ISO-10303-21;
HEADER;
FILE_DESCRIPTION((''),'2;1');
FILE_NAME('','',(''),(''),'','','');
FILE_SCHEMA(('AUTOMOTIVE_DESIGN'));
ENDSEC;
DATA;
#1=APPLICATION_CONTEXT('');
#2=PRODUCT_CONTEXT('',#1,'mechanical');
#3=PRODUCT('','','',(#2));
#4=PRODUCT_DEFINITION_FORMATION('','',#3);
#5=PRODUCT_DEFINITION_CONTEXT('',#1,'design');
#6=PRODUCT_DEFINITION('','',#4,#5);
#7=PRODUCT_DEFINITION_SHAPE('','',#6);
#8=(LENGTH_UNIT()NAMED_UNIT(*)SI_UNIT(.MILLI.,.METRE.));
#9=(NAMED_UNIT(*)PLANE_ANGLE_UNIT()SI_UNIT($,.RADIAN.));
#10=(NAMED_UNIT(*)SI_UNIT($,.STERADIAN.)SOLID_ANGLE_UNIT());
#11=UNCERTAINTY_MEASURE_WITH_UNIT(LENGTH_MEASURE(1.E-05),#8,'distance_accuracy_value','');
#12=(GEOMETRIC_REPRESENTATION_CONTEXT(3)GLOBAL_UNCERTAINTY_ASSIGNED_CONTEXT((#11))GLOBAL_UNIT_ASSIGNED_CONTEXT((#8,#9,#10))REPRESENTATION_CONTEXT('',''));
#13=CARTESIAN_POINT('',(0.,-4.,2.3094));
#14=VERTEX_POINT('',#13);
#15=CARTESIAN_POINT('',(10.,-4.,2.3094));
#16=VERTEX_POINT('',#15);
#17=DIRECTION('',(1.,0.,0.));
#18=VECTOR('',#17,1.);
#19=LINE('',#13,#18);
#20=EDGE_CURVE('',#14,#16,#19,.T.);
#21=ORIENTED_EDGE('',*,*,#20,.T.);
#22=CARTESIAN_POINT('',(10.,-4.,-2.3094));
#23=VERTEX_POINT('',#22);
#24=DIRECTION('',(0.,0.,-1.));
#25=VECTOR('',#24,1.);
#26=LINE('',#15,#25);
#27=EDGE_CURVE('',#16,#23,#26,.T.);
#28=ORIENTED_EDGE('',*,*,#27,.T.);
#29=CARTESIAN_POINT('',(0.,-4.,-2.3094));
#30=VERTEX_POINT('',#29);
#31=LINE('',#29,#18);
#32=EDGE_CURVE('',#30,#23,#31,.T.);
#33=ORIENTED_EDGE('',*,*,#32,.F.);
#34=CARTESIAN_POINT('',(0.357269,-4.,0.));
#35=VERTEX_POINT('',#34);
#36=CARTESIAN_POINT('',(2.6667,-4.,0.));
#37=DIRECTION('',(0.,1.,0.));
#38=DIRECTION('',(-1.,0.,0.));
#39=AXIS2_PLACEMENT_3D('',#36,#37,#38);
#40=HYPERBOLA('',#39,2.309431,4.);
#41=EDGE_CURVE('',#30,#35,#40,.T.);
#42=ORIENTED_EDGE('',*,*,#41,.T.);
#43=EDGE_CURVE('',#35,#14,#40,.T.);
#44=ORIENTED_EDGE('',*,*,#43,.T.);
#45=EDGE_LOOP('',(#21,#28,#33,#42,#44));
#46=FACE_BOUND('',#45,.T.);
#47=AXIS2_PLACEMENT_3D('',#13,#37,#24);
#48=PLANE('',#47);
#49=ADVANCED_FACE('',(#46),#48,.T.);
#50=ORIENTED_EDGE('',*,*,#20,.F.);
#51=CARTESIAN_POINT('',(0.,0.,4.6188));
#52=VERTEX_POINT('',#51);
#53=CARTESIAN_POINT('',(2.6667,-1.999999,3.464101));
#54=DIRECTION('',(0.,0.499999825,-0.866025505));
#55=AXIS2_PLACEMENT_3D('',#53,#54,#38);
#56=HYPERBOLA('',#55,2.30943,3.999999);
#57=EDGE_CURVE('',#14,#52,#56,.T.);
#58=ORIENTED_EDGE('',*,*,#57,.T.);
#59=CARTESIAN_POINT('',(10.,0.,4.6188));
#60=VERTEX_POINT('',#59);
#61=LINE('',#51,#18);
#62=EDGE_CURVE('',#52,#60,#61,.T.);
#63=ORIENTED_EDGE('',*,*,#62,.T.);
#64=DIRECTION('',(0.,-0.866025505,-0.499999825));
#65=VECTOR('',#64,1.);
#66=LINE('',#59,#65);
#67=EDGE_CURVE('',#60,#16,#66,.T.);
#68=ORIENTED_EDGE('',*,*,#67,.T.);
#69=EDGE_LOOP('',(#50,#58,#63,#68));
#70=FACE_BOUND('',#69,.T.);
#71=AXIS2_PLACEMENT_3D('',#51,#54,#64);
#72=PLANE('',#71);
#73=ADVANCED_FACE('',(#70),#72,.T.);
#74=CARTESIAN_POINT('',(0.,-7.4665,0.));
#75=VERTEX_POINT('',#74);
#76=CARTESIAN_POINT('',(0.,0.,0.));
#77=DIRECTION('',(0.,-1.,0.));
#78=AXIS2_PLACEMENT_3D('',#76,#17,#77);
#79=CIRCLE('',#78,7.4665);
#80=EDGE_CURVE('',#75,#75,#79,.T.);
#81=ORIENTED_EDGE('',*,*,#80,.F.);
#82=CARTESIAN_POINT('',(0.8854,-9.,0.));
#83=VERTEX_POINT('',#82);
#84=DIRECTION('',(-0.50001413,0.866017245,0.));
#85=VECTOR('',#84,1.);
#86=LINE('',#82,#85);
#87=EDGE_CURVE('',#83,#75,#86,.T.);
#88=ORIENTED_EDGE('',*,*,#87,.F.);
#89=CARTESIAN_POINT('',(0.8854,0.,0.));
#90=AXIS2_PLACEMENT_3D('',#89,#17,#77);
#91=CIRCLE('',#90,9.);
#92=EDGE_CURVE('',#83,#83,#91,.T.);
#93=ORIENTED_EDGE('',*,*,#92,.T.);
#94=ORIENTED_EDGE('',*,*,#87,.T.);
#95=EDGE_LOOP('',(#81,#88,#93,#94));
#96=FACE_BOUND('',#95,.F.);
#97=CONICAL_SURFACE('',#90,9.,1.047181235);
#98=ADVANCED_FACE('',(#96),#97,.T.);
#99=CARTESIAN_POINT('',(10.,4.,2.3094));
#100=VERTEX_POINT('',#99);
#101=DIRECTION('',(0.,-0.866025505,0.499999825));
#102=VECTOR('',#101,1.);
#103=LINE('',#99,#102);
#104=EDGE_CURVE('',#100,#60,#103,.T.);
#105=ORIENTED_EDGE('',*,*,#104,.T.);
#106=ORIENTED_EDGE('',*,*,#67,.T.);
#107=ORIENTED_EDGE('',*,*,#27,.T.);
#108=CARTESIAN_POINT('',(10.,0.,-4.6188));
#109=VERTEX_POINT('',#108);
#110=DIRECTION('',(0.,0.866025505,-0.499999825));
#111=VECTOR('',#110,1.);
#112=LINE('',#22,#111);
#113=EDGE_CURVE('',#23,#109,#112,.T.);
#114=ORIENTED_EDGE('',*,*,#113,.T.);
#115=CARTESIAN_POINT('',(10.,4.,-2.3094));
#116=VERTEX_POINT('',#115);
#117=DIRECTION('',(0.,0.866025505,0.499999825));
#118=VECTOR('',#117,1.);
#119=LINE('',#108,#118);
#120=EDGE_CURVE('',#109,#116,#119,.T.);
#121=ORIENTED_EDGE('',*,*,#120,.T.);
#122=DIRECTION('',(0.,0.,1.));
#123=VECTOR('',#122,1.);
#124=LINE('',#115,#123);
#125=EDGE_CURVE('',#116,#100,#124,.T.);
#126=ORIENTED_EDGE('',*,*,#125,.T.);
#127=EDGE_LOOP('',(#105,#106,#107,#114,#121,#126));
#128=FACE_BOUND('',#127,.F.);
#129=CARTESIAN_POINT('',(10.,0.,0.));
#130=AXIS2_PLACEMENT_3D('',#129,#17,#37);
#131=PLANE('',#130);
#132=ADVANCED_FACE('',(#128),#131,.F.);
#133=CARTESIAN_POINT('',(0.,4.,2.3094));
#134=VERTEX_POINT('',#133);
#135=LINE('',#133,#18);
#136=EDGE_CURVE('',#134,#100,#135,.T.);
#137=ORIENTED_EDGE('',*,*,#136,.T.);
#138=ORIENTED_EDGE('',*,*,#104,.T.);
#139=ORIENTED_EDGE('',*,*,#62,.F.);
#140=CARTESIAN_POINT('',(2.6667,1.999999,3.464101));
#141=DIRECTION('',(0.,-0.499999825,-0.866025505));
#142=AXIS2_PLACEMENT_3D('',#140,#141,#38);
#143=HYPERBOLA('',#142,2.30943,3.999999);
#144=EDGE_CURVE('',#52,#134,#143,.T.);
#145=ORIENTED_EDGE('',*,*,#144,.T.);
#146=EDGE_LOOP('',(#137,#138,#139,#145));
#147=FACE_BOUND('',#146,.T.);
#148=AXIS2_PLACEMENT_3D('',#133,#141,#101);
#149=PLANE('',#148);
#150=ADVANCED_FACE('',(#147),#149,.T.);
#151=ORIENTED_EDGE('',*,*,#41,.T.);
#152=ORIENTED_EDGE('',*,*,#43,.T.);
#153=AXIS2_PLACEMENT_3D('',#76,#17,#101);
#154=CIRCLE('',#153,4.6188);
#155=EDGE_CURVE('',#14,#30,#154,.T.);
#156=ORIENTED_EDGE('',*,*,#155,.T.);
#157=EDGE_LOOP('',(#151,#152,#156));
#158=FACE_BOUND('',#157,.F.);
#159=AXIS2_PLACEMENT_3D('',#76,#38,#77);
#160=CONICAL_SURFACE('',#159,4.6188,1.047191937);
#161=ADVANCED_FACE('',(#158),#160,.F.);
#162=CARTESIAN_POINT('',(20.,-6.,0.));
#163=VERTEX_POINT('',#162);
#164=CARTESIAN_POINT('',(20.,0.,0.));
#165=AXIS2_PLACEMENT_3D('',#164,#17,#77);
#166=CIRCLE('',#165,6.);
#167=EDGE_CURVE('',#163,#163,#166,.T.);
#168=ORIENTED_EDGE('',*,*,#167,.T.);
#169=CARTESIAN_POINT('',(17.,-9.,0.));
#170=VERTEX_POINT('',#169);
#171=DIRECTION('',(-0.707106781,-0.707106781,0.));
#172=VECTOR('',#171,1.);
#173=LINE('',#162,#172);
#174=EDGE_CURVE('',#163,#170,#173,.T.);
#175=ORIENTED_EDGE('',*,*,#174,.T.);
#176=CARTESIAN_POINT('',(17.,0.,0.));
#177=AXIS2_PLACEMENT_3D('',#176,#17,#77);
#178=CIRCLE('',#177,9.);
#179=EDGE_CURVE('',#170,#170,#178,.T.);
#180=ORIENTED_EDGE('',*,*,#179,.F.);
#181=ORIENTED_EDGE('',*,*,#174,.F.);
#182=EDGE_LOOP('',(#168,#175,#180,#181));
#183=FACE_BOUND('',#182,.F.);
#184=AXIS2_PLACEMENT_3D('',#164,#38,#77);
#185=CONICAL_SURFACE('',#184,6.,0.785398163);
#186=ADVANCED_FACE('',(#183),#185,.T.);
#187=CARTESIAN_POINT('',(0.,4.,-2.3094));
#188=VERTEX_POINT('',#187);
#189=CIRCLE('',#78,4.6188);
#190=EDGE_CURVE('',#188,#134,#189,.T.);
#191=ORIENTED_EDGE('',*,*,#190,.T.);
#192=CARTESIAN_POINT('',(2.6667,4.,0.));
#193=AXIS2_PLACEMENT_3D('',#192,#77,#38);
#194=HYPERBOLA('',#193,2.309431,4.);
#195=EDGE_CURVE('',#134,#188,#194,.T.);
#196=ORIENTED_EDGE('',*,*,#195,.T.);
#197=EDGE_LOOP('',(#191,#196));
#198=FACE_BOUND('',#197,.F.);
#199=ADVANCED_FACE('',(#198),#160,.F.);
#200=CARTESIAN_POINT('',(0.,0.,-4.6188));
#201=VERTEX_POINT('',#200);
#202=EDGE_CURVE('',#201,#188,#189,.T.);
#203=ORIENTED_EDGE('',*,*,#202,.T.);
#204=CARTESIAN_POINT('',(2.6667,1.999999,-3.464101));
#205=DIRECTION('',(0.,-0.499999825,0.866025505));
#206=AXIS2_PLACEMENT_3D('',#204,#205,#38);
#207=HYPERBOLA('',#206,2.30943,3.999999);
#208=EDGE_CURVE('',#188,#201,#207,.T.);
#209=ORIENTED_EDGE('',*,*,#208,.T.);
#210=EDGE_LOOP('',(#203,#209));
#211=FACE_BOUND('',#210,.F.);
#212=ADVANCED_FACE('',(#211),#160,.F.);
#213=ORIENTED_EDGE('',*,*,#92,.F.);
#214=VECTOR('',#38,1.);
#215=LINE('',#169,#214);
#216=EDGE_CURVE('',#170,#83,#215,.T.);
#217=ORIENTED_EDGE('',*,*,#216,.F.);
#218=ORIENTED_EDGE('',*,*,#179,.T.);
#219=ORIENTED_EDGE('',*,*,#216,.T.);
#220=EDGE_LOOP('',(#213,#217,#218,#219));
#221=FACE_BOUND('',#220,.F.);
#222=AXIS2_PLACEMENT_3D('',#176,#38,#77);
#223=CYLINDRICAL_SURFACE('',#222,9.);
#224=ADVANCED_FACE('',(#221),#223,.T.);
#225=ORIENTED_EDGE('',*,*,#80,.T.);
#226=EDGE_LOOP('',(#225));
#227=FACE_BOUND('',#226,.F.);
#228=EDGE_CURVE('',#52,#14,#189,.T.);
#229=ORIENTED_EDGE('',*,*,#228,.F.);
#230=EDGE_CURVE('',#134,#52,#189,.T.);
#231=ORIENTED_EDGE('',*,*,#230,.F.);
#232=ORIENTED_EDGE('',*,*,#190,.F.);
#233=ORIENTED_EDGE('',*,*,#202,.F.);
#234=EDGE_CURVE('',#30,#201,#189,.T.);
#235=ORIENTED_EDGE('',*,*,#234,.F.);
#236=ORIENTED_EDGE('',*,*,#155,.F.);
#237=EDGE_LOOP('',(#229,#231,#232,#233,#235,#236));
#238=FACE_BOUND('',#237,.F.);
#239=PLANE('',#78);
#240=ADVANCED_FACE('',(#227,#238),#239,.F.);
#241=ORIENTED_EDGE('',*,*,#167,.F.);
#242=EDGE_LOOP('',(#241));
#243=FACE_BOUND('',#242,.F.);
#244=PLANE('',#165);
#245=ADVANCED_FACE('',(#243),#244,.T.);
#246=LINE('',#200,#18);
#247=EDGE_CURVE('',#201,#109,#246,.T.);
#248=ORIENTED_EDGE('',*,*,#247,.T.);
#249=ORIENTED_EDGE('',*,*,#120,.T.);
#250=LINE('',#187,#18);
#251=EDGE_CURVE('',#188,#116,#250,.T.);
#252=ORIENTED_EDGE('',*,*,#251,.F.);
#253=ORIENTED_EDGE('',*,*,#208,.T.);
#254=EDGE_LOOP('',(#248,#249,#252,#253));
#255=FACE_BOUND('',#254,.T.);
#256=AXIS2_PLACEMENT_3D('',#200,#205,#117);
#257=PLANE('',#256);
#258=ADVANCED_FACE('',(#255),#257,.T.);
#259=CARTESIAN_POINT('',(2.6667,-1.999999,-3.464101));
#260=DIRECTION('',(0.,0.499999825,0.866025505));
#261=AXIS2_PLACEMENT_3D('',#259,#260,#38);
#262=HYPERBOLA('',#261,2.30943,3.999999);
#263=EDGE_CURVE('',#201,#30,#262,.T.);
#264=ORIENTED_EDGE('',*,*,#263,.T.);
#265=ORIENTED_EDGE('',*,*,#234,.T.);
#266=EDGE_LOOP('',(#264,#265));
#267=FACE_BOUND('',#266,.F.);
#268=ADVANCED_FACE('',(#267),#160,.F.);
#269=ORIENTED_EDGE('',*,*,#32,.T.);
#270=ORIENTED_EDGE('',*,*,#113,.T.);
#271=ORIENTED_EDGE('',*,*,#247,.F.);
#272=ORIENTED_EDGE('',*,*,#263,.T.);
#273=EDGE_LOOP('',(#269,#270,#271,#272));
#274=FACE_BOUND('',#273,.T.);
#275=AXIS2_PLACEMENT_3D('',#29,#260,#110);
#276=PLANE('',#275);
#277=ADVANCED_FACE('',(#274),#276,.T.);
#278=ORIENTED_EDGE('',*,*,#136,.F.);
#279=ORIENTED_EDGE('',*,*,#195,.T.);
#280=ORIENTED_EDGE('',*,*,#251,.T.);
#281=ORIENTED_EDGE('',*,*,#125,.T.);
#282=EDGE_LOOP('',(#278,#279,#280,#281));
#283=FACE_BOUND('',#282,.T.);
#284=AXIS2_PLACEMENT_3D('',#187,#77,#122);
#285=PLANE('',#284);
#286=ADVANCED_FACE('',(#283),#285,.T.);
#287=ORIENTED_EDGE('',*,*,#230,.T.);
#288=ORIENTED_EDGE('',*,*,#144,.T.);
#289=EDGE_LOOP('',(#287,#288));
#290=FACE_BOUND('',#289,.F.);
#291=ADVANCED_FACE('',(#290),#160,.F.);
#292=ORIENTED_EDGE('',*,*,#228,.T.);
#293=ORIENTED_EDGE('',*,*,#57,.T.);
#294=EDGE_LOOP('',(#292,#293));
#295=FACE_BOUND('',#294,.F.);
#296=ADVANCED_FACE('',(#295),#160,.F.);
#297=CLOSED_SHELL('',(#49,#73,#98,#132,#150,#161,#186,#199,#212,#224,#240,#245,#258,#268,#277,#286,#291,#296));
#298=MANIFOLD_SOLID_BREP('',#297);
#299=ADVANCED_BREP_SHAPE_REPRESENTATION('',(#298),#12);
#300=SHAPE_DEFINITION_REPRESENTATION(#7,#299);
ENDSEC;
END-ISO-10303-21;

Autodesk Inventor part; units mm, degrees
sketch "Sketch_1" plane through (0, 0, 0) normal (0, 0, 1) x (1, 0, 0)
  line L0 (2.6667, 0) -> (20, 0)
  line L1 (20, 0) -> (20, -6)
  line L2 (20, -6) -> (17, -9)
  line L3 (17, -9) -> (0.8854, -9)
  line L4 (0.8854, -9) -> (0, -7.4665)
  line L5 (0, -7.4665) -> (0, -4.6188)
  line L6 (0, -4.6188) -> (2.6667, 0)
  line L7 (2.6667, 0) -> (20, 0)
revolve "Revolution1" add sketch "Sketch_1" angle 360 about axis through (2.6667, 0, 0) along (1, 0, 0)
thread "Thread1" size "M18x2.5" class "6g" standard "ISO Metric profile" full length
sketch "Sketch_2" plane through (0, 0, 0) normal (1, 0, 0) x (0, 1, 0)
  line L0 (0, 4.6188) -> (-4, 2.3094)
  line L1 (-4, 2.3094) -> (-4, -2.3094)
  line L2 (-4, -2.3094) -> (0, -4.6188)
  line L3 (0, -4.6188) -> (4, -2.3094)
  line L4 (4, -2.3094) -> (4, 2.3094)
  line L5 (4, 2.3094) -> (0, 4.6188)
extrude "Extrusion1" cut sketch "Sketch_2" along normal blind 10
ref_plane "IP1_XY" through (0, 0, 0) normal (1, 0, 0) x (0, 0, -1)
ref_plane "IP1_YZ" through (0, 0, 0) normal (0, 0, -1) x (0, 1, 0)
ref_plane "IP1_ZX" through (0, 0, 0) normal (0, 1, 0) x (1, 0, 0)
ref_plane "IP2_XY" through (20, 0, 0) normal (1, 0, 0) x (0, 0, -1)
ref_plane "IP2_YZ" through (20, 0, 0) normal (0, 0, -1) x (0, 1, 0)
ref_plane "IP2_ZX" through (20, 0, 0) normal (0, 1, 0) x (1, 0, 0)
properties part number "DIN-913 - M18x20"
